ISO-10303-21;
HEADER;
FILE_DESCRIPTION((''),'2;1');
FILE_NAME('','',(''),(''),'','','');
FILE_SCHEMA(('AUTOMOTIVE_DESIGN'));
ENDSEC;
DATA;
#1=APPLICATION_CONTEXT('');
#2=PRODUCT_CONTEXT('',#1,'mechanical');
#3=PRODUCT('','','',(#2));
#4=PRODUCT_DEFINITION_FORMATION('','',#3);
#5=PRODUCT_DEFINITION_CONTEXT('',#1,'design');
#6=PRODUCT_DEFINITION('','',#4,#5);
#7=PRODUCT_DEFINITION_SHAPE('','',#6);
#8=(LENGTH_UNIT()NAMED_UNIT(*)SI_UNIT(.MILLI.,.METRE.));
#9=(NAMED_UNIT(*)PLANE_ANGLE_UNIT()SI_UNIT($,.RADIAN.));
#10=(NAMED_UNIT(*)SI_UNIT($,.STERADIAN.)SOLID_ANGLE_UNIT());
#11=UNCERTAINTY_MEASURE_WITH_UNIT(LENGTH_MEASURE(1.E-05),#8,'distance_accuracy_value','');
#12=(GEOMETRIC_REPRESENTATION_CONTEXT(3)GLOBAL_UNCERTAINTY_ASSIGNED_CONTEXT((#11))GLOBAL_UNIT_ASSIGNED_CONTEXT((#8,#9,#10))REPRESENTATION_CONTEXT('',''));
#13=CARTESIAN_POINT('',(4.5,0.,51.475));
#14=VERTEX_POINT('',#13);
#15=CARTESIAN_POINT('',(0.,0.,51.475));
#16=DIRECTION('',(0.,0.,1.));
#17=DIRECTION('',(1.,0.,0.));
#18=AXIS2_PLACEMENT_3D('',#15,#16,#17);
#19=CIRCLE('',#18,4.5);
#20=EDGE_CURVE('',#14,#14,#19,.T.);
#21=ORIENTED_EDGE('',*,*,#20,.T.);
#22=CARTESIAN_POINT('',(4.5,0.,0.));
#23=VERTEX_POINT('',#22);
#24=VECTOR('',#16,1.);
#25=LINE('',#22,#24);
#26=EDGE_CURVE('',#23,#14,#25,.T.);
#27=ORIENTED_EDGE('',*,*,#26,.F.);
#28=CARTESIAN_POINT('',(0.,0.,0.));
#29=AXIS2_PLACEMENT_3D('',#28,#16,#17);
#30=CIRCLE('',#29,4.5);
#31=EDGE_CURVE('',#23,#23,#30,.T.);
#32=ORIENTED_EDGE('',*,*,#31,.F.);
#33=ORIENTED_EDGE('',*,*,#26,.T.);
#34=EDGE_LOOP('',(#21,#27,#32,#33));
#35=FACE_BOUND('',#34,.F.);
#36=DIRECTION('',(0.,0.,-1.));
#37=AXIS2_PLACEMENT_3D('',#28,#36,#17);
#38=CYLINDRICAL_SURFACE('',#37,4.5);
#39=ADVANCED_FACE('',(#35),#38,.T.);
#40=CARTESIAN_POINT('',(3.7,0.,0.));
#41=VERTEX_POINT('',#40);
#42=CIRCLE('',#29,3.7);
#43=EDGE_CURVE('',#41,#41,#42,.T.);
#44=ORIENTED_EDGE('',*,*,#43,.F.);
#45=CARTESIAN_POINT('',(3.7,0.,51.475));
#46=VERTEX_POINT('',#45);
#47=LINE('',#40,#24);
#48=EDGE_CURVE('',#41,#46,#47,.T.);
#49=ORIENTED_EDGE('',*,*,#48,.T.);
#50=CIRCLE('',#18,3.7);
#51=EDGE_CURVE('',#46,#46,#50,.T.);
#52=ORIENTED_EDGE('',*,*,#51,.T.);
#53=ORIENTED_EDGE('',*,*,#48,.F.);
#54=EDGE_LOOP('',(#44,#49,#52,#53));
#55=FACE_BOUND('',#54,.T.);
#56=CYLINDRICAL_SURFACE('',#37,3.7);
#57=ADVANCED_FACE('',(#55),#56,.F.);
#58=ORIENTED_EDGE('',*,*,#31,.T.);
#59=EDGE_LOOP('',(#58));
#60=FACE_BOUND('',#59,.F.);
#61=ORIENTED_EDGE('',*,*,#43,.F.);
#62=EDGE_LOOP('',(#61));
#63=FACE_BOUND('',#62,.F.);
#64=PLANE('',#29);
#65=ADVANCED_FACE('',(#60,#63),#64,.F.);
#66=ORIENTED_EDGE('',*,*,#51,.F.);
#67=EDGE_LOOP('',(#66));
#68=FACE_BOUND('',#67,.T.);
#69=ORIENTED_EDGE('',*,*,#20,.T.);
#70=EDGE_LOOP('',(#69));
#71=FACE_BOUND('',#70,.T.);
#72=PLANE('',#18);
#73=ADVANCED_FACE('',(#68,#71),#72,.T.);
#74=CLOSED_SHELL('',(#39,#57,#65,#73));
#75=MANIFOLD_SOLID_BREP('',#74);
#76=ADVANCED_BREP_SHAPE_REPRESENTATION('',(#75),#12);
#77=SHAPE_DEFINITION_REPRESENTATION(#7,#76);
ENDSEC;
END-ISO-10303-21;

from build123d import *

# Parameters (mm, degrees)
F0_R        = 4.5
F0_R_2      = 3.7
F1_DEPTH    = 53.975
F1_FACE_R   = 4.5
F1_FACE_R_2 = 3.7
F2_DEPTH    = 2.5


with BuildPart() as f1:
    # F0 (on Top) → F1 (new body)
    with BuildSketch(Plane.XY):
        Circle(F0_R)
        Circle(F0_R_2, mode=Mode.SUBTRACT)
    extrude(amount=F1_DEPTH)

    # F1_face (on face) → F2 (cut)
    with BuildSketch(Plane.XY.offset(53.975)):
        Circle(F1_FACE_R)
        Circle(F1_FACE_R_2, mode=Mode.SUBTRACT)
    extrude(amount=-F2_DEPTH, mode=Mode.SUBTRACT)


solid = f1.part
